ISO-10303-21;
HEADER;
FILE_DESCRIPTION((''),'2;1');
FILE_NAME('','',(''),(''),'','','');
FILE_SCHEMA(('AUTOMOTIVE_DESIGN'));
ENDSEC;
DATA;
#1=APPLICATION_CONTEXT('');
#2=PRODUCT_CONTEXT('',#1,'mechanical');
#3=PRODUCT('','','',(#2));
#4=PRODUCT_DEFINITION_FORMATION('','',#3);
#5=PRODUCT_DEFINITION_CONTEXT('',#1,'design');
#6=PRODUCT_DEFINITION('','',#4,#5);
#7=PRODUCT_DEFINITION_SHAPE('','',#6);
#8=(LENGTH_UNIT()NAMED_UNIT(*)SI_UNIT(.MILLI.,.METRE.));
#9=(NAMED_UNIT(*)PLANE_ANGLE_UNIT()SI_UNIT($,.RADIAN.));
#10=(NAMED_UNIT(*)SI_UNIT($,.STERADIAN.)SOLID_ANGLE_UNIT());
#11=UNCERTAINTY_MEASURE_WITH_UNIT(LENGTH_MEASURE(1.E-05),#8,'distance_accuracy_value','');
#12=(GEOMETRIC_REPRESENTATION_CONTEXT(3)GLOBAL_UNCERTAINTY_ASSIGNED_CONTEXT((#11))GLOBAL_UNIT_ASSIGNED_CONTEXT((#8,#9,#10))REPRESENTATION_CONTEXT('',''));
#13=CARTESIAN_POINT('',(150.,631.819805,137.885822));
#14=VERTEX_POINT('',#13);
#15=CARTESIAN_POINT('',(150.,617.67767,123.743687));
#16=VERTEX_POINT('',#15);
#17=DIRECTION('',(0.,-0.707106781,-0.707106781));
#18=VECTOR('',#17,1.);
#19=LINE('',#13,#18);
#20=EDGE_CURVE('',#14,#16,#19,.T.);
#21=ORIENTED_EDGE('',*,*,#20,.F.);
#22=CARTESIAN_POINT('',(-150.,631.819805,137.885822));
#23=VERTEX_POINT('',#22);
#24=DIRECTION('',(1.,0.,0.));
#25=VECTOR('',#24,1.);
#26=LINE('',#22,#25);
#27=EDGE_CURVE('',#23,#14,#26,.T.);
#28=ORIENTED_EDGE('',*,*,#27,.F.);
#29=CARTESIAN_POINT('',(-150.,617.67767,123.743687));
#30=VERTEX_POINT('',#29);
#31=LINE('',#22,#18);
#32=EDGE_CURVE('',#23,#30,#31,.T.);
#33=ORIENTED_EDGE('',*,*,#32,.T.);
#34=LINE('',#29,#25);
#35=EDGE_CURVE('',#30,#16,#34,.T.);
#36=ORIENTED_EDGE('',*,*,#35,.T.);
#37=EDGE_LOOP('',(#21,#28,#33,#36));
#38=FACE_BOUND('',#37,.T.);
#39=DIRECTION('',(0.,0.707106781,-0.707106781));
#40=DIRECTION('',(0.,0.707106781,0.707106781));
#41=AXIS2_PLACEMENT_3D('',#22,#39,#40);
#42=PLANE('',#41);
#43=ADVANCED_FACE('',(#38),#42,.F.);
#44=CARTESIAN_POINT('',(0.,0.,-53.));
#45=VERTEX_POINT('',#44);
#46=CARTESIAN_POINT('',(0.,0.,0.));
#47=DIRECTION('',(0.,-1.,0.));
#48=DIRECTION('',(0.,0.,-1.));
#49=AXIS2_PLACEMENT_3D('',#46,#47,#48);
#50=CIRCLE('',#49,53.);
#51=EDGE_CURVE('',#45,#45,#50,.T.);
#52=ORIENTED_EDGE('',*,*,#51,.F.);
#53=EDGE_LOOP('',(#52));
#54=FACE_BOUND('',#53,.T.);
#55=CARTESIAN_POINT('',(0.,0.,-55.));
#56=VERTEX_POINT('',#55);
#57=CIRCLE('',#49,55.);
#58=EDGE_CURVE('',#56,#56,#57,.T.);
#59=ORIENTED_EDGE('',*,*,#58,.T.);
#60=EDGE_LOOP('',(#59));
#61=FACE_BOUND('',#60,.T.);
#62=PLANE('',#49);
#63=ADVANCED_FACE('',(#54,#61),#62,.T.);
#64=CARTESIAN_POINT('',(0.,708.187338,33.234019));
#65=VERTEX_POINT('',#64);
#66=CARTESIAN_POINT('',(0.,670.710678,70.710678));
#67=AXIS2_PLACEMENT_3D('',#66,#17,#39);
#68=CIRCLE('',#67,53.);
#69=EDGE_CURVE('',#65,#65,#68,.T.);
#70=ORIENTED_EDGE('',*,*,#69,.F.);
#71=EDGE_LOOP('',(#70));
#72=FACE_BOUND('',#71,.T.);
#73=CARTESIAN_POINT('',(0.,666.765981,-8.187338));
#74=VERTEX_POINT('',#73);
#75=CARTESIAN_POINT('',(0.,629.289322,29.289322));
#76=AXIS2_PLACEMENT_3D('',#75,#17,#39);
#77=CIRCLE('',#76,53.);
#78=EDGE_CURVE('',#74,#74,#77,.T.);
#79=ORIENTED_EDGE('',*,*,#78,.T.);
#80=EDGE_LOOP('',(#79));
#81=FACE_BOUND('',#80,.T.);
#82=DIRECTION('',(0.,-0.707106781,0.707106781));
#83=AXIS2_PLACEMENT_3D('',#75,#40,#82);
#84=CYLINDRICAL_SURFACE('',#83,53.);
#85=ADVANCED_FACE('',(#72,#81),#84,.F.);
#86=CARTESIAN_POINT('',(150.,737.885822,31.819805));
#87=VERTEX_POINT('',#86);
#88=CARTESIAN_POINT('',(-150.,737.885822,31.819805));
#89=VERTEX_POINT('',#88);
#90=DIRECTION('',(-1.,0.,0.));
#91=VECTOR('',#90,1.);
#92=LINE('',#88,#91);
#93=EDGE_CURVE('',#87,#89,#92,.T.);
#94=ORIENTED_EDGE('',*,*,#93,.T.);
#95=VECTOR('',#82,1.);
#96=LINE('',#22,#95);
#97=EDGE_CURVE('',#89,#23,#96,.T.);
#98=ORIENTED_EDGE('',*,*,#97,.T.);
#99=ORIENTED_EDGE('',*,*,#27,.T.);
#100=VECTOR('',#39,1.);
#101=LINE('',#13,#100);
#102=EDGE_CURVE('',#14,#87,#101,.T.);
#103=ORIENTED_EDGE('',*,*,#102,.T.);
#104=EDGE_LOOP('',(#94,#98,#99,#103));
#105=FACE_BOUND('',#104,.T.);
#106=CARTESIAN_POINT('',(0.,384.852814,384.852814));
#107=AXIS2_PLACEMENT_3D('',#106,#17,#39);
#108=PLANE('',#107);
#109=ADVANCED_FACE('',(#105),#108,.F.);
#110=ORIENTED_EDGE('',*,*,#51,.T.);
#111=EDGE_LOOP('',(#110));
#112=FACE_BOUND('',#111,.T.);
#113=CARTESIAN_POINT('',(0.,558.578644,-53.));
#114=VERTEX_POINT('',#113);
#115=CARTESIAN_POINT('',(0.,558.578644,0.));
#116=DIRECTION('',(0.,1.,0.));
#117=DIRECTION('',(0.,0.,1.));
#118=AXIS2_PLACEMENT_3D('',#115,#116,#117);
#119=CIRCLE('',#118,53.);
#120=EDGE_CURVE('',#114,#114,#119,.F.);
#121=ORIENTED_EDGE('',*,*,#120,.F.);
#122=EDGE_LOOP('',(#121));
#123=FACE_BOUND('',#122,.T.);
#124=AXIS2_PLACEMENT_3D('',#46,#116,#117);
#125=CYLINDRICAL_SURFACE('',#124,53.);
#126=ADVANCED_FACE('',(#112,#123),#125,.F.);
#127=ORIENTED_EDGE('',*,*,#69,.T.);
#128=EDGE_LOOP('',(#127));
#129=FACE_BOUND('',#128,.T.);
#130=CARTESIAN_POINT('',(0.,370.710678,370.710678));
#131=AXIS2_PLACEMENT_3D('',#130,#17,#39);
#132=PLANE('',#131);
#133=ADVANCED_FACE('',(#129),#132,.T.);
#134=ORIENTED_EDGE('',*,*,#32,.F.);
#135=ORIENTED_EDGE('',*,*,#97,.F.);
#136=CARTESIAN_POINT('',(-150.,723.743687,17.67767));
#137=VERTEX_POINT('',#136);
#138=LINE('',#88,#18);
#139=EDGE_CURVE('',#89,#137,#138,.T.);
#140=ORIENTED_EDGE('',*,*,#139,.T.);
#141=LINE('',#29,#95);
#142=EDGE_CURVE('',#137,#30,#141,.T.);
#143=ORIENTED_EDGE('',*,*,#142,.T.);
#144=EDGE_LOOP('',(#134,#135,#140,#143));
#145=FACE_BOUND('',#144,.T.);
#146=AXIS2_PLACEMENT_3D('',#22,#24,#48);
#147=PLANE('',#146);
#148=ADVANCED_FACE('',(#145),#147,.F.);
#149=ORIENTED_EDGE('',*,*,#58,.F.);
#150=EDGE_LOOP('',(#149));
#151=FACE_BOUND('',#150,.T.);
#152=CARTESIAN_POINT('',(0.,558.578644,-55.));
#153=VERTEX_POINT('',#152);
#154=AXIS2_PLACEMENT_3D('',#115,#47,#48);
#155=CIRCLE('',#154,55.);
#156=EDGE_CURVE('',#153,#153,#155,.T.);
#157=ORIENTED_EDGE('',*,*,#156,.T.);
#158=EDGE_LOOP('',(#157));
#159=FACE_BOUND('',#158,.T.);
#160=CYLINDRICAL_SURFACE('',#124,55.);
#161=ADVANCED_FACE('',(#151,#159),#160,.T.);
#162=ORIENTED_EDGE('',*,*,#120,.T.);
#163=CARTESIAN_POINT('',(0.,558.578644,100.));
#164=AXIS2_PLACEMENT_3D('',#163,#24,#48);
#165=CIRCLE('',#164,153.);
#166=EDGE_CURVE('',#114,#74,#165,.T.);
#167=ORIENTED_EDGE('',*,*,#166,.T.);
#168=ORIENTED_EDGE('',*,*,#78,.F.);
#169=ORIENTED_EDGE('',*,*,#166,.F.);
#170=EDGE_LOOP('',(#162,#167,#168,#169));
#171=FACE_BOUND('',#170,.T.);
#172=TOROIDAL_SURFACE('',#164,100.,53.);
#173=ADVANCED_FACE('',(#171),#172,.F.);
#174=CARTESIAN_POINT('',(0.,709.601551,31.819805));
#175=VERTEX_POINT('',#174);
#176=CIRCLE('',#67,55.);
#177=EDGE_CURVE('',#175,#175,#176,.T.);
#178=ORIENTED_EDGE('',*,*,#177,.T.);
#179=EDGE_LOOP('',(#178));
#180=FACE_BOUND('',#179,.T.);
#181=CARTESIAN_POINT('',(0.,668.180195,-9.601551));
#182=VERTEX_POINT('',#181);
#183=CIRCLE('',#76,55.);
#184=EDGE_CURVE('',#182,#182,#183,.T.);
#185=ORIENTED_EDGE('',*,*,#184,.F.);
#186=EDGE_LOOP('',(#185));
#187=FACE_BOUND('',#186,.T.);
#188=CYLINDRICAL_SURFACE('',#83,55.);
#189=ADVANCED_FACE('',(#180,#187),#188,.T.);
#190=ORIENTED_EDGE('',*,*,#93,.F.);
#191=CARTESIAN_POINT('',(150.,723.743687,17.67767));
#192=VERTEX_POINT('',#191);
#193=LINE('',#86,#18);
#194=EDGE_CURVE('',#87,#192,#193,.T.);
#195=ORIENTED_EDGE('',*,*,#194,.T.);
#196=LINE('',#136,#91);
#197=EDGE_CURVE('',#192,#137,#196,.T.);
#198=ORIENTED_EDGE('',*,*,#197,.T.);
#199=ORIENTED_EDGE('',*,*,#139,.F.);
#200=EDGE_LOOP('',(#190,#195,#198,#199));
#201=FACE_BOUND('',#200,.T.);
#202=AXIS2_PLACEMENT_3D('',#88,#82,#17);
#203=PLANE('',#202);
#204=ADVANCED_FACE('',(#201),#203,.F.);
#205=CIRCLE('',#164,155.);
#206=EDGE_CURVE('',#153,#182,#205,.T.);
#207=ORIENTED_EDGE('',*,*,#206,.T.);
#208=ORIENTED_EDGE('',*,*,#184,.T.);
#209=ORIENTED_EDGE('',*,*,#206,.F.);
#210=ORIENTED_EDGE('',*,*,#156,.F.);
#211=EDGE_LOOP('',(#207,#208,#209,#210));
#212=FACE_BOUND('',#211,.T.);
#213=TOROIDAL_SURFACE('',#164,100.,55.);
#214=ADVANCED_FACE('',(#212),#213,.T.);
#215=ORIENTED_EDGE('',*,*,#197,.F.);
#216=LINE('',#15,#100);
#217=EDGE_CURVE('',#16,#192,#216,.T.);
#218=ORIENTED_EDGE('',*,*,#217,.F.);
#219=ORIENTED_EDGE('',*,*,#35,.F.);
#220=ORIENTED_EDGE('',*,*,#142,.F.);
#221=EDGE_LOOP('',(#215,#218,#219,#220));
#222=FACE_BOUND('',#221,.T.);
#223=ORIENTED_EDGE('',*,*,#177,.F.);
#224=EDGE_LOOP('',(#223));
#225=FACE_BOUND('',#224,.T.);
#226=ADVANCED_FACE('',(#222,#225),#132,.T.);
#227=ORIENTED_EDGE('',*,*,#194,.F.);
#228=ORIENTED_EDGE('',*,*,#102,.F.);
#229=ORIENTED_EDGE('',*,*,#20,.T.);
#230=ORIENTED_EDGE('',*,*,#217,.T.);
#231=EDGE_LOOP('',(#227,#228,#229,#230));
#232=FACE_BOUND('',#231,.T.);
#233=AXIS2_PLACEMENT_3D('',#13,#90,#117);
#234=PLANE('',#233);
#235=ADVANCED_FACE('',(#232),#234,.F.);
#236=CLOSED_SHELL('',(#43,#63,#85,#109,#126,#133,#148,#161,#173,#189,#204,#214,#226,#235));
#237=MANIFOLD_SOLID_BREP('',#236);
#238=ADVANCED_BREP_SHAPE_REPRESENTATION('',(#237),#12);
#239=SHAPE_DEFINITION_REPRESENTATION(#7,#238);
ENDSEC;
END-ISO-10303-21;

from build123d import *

# Parameters (mm, degrees)
SWEEP_THIN1_PROFILE_R   = 55
SWEEP_THIN1_PROFILE_R_2 = 53
SKETCH69_W              = 300
SKETCH69_H              = 150
BOSS_EXTRUDE1_DEPTH     = 20


with BuildPart() as part:
    # Sweep-Thin1: sweep along a path in Sketch2
    with BuildLine(Plane(origin=(0, 0, 0), x_dir=(0, 0, -1), z_dir=(1, 0, 0))) as sweep_thin1_path:
        Line((0, 0), (0, 558.578643763))
        ThreePointArc((0, 558.578643763), (-7.612046749, 596.846986999), (-29.289321881, 629.289321881))
        Line((-29.289321881, 629.289321881), (-70.710678119, 670.710678119))
    # Sweep-Thin1 profile (on start of the path) → Sweep-Thin1 (sweep)
    with BuildSketch(Plane.ZX):
        Circle(SWEEP_THIN1_PROFILE_R)
        Circle(SWEEP_THIN1_PROFILE_R_2, mode=Mode.SUBTRACT)
    sweep(path=sweep_thin1_path.line)

    # Sketch69 → Boss-Extrude1 (add)
    with BuildSketch(Plane(origin=(0, 370.710678119, 370.710678119), x_dir=(1, 0, 0), z_dir=(0, 0.7071067811865489, 0.7071067811865461))):
        with Locations((0, 424.264068712)):
            Rectangle(SKETCH69_W, SKETCH69_H)
    extrude(amount=BOSS_EXTRUDE1_DEPTH)


solid = part.part
